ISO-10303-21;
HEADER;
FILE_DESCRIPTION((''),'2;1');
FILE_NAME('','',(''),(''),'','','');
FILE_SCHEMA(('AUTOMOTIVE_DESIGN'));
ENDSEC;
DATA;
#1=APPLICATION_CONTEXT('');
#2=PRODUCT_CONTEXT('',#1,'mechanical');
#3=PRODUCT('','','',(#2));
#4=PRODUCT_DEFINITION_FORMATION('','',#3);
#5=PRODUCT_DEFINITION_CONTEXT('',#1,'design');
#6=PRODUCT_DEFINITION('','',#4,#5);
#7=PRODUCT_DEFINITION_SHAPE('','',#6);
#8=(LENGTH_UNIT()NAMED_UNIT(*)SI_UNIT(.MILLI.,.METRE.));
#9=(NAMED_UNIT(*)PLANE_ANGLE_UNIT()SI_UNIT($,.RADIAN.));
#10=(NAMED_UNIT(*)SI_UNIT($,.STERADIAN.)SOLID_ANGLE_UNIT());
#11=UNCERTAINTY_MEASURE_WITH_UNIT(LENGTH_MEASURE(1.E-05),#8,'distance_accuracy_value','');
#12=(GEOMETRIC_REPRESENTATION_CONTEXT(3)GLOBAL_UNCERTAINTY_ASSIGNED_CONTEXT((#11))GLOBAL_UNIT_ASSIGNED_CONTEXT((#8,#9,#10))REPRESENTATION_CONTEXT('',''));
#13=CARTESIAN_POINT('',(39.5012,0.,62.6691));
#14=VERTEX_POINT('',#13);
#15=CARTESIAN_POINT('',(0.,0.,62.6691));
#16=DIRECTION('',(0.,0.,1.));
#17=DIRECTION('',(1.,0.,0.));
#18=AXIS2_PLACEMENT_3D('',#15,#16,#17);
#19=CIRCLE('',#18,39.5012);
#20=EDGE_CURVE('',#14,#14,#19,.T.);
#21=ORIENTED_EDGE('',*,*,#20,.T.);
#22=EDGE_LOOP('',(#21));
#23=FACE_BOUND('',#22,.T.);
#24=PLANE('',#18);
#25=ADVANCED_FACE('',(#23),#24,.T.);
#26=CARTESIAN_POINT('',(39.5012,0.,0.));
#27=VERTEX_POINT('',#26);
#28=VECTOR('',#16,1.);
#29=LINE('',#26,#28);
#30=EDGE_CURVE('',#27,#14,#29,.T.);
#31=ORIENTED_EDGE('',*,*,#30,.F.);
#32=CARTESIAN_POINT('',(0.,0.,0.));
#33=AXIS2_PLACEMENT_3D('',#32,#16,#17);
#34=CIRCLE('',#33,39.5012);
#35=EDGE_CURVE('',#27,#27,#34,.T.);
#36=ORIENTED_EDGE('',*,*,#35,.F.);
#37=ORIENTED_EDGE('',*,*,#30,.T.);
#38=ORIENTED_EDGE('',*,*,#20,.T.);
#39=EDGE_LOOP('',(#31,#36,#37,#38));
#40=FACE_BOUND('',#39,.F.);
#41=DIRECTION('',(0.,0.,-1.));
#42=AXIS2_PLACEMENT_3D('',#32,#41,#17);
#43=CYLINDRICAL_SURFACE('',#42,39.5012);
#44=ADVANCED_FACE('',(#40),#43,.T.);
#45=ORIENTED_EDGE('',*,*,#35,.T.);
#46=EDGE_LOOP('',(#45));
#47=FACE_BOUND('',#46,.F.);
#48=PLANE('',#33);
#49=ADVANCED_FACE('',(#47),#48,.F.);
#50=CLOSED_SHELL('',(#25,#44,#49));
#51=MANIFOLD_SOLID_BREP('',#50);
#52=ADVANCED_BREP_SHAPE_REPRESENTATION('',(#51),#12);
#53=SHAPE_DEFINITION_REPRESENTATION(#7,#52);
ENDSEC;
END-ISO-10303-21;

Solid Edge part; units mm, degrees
sketch "Sketch1" plane through (0, 0, 0) normal (0, 0, 1) x (1, 0, 0)
  circle A0 centre (0, 0) radius 39.5012
extrude "Protrusion1" add sketch "Sketch1" along normal blind 62.6691
